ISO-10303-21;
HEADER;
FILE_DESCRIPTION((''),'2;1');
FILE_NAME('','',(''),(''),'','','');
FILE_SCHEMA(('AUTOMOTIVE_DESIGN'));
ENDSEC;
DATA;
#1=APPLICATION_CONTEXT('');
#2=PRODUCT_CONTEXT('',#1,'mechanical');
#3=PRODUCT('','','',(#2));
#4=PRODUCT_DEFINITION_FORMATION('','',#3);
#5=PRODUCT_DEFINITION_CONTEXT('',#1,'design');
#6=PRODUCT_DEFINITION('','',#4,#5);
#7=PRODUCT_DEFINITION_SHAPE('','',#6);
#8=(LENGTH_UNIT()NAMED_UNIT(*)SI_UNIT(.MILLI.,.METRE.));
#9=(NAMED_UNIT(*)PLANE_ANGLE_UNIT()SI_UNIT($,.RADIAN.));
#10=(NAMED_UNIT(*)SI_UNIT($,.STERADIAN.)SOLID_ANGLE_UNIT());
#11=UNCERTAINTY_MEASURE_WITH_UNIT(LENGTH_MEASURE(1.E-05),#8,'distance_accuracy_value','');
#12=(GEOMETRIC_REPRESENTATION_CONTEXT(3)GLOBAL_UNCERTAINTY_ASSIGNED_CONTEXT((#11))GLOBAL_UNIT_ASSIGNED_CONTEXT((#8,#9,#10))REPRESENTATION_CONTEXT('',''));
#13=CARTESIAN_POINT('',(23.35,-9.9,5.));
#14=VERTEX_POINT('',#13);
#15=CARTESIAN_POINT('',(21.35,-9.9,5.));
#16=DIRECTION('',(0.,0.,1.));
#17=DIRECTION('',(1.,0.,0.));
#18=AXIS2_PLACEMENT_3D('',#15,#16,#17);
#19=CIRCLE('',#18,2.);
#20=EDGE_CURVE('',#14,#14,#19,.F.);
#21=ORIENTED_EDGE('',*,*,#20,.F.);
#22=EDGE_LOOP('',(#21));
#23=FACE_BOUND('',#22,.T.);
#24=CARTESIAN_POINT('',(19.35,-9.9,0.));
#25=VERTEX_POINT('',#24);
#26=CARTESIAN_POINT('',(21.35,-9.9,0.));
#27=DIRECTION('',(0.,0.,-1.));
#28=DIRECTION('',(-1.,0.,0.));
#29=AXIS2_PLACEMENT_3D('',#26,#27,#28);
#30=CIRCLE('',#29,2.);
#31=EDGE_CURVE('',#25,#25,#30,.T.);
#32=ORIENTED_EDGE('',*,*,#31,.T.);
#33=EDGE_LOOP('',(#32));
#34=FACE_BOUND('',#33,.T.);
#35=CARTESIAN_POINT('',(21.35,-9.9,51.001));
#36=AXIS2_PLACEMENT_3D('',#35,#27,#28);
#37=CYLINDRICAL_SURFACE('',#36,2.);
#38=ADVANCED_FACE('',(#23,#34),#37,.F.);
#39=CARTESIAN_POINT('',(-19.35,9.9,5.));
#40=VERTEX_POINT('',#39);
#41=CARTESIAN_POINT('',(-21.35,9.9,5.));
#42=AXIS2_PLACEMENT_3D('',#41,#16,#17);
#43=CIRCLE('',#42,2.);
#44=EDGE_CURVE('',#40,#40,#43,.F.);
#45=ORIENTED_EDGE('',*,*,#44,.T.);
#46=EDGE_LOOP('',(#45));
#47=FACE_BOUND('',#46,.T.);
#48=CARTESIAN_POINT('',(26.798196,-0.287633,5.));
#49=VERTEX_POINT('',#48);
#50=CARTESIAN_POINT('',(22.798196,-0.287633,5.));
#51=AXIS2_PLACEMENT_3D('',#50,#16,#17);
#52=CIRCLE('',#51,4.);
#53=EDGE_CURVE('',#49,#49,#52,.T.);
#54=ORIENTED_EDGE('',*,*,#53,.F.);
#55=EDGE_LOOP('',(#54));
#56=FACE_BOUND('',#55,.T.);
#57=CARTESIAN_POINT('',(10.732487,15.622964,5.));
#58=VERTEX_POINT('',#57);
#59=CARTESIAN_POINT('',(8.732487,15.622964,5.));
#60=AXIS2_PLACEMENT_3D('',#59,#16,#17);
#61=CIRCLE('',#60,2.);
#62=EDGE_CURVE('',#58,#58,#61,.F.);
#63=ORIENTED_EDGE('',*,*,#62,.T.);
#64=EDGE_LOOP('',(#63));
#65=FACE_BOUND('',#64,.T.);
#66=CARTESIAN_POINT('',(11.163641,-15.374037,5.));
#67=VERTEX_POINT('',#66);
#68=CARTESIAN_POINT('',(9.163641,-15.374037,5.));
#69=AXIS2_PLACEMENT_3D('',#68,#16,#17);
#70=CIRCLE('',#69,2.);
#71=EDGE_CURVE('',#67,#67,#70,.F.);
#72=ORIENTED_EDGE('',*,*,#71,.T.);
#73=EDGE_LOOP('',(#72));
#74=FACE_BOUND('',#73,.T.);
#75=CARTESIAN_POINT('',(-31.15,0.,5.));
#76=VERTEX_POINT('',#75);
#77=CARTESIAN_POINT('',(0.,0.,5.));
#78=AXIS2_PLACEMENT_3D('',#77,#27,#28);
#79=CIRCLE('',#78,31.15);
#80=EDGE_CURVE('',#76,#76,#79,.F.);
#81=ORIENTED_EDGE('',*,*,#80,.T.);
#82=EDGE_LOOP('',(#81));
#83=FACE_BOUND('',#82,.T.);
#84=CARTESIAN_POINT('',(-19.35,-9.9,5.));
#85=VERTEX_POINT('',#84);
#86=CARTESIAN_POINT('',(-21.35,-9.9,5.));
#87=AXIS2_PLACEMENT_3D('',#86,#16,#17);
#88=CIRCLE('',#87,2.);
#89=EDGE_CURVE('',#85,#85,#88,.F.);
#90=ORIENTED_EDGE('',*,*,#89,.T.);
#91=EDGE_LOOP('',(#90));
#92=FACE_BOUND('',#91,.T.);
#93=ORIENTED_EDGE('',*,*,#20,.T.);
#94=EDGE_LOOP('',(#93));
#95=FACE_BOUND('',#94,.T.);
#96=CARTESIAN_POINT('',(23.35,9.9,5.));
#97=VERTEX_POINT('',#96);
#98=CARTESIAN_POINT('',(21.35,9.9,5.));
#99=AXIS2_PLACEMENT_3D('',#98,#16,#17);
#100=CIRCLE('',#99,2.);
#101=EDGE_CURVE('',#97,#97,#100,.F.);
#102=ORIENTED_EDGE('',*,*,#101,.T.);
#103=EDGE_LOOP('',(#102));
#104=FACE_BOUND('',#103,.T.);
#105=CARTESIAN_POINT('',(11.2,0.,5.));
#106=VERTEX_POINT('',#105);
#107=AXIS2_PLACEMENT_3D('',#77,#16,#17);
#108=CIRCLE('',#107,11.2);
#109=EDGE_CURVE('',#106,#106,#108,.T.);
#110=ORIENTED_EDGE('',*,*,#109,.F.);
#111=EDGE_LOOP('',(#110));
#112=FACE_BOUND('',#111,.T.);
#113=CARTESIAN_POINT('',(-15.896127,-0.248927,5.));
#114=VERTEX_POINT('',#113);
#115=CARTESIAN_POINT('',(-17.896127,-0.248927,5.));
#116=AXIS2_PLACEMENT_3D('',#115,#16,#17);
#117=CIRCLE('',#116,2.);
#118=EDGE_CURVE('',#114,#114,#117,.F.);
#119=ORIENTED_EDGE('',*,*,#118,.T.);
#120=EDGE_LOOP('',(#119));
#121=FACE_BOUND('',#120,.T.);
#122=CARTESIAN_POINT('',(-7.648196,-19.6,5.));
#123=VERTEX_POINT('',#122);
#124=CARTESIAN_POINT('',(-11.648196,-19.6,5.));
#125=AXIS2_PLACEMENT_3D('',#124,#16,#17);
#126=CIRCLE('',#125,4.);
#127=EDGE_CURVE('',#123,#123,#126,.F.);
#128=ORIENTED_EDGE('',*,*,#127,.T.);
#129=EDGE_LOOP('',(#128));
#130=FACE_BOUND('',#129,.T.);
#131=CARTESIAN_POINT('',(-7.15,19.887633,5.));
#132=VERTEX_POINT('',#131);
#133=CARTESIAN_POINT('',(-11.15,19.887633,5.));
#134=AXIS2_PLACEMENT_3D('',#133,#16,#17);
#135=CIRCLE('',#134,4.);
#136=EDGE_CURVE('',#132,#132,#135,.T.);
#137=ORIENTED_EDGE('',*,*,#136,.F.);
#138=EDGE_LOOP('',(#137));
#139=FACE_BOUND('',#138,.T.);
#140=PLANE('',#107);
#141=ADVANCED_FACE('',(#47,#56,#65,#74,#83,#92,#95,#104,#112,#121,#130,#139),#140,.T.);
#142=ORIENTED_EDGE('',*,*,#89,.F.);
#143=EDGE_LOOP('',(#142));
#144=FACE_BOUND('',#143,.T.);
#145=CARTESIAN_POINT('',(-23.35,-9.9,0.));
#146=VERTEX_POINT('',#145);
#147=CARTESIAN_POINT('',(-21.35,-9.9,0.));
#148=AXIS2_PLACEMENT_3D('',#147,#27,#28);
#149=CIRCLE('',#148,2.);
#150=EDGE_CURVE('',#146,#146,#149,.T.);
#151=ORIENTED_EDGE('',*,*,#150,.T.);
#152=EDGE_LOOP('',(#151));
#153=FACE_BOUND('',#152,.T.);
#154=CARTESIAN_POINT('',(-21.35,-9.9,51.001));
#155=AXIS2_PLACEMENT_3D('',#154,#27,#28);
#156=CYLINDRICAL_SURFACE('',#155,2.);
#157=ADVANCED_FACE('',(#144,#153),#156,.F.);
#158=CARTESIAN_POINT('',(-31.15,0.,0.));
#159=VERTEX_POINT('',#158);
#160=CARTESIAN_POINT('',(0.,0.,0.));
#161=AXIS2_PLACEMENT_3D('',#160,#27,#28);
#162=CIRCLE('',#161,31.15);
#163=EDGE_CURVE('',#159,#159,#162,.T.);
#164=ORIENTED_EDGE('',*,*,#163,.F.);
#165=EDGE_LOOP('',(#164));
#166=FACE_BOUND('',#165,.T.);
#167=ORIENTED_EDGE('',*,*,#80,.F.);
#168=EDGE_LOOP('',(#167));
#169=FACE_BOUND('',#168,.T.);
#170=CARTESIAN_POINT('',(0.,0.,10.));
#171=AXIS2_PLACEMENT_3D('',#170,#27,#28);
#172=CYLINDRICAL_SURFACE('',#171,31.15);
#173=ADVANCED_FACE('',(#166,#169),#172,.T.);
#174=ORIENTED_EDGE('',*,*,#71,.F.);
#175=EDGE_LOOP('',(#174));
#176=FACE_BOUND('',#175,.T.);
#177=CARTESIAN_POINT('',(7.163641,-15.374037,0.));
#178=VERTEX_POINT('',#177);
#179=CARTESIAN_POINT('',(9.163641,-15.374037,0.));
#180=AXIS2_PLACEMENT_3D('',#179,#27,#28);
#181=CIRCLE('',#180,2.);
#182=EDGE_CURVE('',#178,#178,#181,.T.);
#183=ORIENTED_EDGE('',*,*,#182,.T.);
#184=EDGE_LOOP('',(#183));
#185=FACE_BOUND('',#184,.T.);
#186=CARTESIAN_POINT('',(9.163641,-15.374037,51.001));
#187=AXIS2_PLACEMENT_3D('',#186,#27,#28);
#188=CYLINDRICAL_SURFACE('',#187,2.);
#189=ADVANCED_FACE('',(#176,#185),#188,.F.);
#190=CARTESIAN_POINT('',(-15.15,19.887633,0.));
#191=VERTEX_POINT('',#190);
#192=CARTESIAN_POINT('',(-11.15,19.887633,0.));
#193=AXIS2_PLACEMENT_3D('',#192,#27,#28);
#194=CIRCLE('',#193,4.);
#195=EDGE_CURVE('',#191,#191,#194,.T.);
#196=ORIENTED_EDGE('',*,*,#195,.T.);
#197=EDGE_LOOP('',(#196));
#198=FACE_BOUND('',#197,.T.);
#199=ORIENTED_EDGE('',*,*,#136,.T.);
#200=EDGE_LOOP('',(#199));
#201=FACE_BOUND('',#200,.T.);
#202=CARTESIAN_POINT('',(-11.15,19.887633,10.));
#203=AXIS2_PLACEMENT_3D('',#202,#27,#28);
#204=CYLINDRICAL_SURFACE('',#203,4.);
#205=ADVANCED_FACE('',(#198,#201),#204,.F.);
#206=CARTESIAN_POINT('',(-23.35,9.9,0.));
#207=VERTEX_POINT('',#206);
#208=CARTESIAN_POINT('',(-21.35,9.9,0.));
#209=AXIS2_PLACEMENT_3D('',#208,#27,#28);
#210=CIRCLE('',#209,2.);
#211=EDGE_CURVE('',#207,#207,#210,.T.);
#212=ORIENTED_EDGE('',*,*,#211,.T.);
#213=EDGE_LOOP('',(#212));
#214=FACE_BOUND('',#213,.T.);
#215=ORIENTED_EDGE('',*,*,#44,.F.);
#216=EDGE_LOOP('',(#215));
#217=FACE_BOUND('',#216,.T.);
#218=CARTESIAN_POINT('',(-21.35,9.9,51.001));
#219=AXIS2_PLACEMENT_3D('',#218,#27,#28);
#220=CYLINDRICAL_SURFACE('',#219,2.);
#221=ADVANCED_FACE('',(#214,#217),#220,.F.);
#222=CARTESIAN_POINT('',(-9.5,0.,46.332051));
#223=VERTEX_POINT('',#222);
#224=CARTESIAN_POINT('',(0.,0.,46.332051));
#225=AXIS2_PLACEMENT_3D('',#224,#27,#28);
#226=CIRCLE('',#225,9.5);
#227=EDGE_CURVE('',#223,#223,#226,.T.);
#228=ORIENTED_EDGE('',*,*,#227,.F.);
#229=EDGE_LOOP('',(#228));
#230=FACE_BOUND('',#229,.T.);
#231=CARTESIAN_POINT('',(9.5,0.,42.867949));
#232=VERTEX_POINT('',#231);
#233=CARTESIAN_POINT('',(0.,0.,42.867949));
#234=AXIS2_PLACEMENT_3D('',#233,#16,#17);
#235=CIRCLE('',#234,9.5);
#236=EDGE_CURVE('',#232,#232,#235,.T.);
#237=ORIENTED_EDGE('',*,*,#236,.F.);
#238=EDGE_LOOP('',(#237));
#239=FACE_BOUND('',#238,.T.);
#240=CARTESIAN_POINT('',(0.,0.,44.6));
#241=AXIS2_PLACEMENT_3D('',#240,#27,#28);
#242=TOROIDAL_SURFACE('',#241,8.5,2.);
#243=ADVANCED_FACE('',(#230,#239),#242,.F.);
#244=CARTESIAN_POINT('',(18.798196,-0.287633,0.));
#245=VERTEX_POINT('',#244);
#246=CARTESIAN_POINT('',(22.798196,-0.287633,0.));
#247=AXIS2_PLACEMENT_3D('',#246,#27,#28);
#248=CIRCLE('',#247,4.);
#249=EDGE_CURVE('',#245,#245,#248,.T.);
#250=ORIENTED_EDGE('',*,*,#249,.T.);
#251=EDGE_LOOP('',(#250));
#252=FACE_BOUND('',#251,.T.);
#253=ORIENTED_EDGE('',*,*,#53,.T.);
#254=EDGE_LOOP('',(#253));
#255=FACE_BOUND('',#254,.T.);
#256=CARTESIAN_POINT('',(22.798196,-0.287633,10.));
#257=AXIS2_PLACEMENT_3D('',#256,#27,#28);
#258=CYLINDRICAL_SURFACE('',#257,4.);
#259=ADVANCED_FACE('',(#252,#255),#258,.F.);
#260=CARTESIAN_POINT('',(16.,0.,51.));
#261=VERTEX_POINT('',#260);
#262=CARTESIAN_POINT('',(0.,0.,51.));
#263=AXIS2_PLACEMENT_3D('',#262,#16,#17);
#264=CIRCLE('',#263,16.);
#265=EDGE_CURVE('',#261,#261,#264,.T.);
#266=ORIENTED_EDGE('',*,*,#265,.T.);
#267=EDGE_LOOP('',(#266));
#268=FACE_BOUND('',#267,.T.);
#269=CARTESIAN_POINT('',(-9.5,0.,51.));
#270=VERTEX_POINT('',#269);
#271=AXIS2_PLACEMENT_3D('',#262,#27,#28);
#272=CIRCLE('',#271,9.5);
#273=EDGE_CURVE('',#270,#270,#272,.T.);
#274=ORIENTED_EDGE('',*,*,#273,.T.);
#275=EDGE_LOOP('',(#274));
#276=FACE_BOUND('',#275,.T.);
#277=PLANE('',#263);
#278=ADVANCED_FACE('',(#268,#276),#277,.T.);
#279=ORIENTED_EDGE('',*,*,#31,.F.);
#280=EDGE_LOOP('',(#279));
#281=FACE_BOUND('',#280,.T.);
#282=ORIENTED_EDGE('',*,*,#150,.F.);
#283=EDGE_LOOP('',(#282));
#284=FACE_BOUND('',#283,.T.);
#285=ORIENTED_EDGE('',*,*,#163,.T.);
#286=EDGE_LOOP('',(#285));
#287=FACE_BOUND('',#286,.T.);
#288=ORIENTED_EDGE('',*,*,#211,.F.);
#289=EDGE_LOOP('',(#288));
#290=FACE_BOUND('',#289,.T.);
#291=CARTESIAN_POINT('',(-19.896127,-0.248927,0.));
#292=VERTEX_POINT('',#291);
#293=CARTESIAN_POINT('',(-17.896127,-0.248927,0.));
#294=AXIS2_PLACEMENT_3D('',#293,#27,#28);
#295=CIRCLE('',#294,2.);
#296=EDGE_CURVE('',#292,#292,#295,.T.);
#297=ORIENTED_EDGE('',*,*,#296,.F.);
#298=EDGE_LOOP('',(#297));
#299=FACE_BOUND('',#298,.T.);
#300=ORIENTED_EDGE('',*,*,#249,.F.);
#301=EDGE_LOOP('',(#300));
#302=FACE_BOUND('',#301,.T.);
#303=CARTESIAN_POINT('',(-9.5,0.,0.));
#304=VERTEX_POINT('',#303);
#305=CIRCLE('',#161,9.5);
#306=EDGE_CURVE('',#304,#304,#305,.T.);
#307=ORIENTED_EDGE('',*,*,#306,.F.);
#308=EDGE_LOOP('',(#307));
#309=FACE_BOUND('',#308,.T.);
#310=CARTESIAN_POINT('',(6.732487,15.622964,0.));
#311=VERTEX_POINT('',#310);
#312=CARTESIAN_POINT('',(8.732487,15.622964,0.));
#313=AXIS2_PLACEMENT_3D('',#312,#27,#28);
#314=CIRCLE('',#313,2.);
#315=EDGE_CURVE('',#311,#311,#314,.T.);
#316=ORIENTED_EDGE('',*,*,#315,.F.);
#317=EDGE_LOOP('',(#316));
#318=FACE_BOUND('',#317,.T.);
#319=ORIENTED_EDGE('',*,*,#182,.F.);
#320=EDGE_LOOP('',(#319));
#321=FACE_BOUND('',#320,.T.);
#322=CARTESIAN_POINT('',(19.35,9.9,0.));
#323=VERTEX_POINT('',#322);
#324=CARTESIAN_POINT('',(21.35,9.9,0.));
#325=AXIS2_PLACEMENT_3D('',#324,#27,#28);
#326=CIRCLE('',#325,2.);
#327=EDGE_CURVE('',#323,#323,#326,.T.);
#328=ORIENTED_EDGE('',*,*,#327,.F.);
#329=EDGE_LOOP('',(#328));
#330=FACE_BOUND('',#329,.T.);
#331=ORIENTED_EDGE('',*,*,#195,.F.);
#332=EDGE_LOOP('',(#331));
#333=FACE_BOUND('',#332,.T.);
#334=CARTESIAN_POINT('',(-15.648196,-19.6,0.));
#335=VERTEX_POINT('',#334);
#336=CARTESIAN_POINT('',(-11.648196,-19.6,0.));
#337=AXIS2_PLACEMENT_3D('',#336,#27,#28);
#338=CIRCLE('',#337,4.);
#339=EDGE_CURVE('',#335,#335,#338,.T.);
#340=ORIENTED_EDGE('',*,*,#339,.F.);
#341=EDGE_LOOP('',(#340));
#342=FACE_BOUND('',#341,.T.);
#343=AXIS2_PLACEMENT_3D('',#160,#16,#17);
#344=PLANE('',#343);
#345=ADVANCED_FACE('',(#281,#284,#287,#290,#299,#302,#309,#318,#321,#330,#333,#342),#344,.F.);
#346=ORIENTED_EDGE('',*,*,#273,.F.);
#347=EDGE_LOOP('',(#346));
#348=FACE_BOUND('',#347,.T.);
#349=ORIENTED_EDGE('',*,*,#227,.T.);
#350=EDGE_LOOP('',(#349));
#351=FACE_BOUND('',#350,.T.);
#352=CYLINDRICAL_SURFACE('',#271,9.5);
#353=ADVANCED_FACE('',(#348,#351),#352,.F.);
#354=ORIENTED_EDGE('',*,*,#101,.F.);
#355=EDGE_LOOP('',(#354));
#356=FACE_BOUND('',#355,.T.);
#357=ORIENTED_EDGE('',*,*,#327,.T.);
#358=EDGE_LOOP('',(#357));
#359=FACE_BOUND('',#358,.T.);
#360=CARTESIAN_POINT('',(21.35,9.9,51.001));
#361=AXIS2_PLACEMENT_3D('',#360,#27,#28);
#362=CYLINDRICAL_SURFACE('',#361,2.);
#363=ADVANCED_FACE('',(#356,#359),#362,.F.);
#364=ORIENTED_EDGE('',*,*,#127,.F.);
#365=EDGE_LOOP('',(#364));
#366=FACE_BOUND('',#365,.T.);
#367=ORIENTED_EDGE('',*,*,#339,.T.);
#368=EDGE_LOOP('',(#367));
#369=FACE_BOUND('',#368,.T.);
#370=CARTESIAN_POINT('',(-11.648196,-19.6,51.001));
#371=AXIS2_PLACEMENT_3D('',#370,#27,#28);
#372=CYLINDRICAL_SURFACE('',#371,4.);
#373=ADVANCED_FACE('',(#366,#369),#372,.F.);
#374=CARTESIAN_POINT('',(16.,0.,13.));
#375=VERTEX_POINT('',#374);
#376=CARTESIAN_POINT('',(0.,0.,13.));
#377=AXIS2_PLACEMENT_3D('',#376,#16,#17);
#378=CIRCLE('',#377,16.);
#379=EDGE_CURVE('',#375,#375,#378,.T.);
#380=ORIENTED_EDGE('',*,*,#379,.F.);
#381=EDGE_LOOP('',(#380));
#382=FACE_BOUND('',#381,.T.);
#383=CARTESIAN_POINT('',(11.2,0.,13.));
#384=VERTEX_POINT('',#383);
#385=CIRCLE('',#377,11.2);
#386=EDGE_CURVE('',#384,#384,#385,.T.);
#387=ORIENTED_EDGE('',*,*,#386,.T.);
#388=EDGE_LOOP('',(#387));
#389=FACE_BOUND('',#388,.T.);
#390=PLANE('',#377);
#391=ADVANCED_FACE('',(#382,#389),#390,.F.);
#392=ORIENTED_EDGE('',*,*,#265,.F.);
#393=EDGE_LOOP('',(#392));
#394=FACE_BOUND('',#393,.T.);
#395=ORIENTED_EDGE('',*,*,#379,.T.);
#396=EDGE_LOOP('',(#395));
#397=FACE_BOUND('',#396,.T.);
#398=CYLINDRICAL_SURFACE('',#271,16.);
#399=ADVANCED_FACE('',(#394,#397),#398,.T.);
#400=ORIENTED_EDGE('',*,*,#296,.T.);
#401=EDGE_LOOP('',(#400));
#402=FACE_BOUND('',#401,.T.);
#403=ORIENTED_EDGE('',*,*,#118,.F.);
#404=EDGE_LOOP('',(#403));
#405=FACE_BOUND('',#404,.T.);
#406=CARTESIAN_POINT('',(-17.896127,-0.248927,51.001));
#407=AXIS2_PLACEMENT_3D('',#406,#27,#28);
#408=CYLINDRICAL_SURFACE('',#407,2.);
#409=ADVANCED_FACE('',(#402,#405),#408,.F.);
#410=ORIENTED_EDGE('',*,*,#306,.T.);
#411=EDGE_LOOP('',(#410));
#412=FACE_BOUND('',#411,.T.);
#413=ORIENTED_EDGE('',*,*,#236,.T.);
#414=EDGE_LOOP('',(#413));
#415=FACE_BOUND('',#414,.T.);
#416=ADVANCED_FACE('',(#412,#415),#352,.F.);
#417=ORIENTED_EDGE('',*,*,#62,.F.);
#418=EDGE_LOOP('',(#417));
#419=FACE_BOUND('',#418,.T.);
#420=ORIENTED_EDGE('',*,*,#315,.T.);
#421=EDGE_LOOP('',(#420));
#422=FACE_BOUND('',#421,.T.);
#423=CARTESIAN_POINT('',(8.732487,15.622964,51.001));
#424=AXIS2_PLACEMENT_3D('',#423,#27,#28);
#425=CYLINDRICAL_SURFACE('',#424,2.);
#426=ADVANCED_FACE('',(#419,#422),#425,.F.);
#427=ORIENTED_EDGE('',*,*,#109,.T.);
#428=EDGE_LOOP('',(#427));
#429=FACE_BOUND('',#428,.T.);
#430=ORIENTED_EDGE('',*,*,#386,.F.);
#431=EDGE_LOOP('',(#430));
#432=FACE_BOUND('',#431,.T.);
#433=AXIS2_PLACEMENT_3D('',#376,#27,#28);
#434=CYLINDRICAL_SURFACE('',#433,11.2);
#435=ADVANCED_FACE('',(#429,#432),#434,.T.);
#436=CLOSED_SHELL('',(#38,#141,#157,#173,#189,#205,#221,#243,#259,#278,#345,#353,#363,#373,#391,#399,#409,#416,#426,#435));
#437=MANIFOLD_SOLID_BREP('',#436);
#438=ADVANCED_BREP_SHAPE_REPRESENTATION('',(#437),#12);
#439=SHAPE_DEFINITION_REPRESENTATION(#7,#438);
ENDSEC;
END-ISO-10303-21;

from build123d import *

# Parameters (mm, degrees)
SKETCH1_R           = 31.65
BOSS_EXTRUDE1_DEPTH = 5
CHAMFER1_SIZE       = 0.5
SKETCH2_R           = 11.2
BOSS_EXTRUDE2_DEPTH = 8
SKETCH3_R           = 16
BOSS_EXTRUDE3_DEPTH = 38
SKETCH5_R           = 9.5
CUT_EXTRUDE2_DEPTH  = 52
CUT_EXTRUDE3_REACH  = 53
SKETCH6_R           = 2
SKETCH6_R_2         = 4
SKETCH8_OUTSIDE_W   = 85.906
SKETCH8_OUTSIDE_H   = 85.906
SKETCH8_OUTSIDE_R   = 31.15
SKETCH8_OUTSIDE_R_2 = 4
CUT_EXTRUDE4_DEPTH  = 10


with BuildPart() as part:
    # Sketch1 → Boss-Extrude1 (new body)
    with BuildSketch(Plane.XY):
        Circle(SKETCH1_R)
    extrude(amount=BOSS_EXTRUDE1_DEPTH)

    # Chamfer1
    chamfer1_edges = [part.edges().sort_by_distance(p)[0] for p in [
        (-31.65, 0, 0),
        (-31.65, 0, 5),
    ]]
    chamfer(chamfer1_edges, length=CHAMFER1_SIZE)

    # Sketch2 → Boss-Extrude2 (add)
    with BuildSketch(Plane.XY.offset(5)):
        Circle(SKETCH2_R)
    extrude(amount=BOSS_EXTRUDE2_DEPTH)

    # Sketch3 → Boss-Extrude3 (add)
    with BuildSketch(Plane.XY.offset(13)):
        Circle(SKETCH3_R)
    extrude(amount=BOSS_EXTRUDE3_DEPTH)

    # Sketch5 → Cut-Extrude2 (cut, through all)
    with BuildSketch(Plane(origin=(0, 0, 0), x_dir=(-1, 0, 0), z_dir=(0, 0, -1))):
        Circle(SKETCH5_R)
    extrude(amount=-CUT_EXTRUDE2_DEPTH, mode=Mode.SUBTRACT)

    # Sketch6 → Cut-Extrude3 (cut, up to next)
    with BuildSketch(Plane(origin=(0, 0, 0), x_dir=(-1, 0, 0), z_dir=(0, 0, -1)), mode=Mode.PRIVATE) as cut_extrude3_sk1:
        with Locations((21.35, 9.9)):
            Circle(SKETCH6_R)
    cut_extrude3_tool1 = extrude(cut_extrude3_sk1.sketch, amount=-CUT_EXTRUDE3_REACH, mode=Mode.PRIVATE) & part.part
    add(cut_extrude3_tool1.solids().sort_by_distance((-21.35, 9.9, 0))[0], mode=Mode.SUBTRACT)
    # Sketch6 → Cut-Extrude3 (cut, up to next)
    with BuildSketch(Plane(origin=(0, 0, 0), x_dir=(-1, 0, 0), z_dir=(0, 0, -1)), mode=Mode.PRIVATE) as cut_extrude3_sk2:
        with Locations((-21.35, 9.9)):
            Circle(SKETCH6_R)
    cut_extrude3_tool2 = extrude(cut_extrude3_sk2.sketch, amount=-CUT_EXTRUDE3_REACH, mode=Mode.PRIVATE) & part.part
    add(cut_extrude3_tool2.solids().sort_by_distance((21.35, 9.9, 0))[0], mode=Mode.SUBTRACT)
    # Sketch6 → Cut-Extrude3 (cut, up to next)
    with BuildSketch(Plane(origin=(0, 0, 0), x_dir=(-1, 0, 0), z_dir=(0, 0, -1)), mode=Mode.PRIVATE) as cut_extrude3_sk3:
        with Locations((-21.35, -9.9)):
            Circle(SKETCH6_R)
    cut_extrude3_tool3 = extrude(cut_extrude3_sk3.sketch, amount=-CUT_EXTRUDE3_REACH, mode=Mode.PRIVATE) & part.part
    add(cut_extrude3_tool3.solids().sort_by_distance((21.35, -9.9, 0))[0], mode=Mode.SUBTRACT)
    # Sketch6 → Cut-Extrude3 (cut, up to next)
    with BuildSketch(Plane(origin=(0, 0, 0), x_dir=(-1, 0, 0), z_dir=(0, 0, -1)), mode=Mode.PRIVATE) as cut_extrude3_sk4:
        with Locations((21.35, -9.9)):
            Circle(SKETCH6_R)
    cut_extrude3_tool4 = extrude(cut_extrude3_sk4.sketch, amount=-CUT_EXTRUDE3_REACH, mode=Mode.PRIVATE) & part.part
    add(cut_extrude3_tool4.solids().sort_by_distance((-21.35, -9.9, 0))[0], mode=Mode.SUBTRACT)
    # Sketch6 → Cut-Extrude3 (cut, up to next)
    with BuildSketch(Plane(origin=(0, 0, 0), x_dir=(-1, 0, 0), z_dir=(0, 0, -1)), mode=Mode.PRIVATE) as cut_extrude3_sk5:
        with Locations((11.648195828, -19.6)):
            Circle(SKETCH6_R_2)
    cut_extrude3_tool5 = extrude(cut_extrude3_sk5.sketch, amount=-CUT_EXTRUDE3_REACH, mode=Mode.PRIVATE) & part.part
    add(cut_extrude3_tool5.solids().sort_by_distance((-11.648196, -19.6, 0))[0], mode=Mode.SUBTRACT)
    # Sketch6 → Cut-Extrude3 (cut, up to next)
    with BuildSketch(Plane(origin=(0, 0, 0), x_dir=(-1, 0, 0), z_dir=(0, 0, -1)), mode=Mode.PRIVATE) as cut_extrude3_sk6:
        with Locations((-8.732486564, 15.622964243)):
            Circle(SKETCH6_R)
    cut_extrude3_tool6 = extrude(cut_extrude3_sk6.sketch, amount=-CUT_EXTRUDE3_REACH, mode=Mode.PRIVATE) & part.part
    add(cut_extrude3_tool6.solids().sort_by_distance((8.732487, 15.622964, 0))[0], mode=Mode.SUBTRACT)
    # Sketch6 → Cut-Extrude3 (cut, up to next)
    with BuildSketch(Plane(origin=(0, 0, 0), x_dir=(-1, 0, 0), z_dir=(0, 0, -1)), mode=Mode.PRIVATE) as cut_extrude3_sk7:
        with Locations((-9.163640635, -15.374037324)):
            Circle(SKETCH6_R)
    cut_extrude3_tool7 = extrude(cut_extrude3_sk7.sketch, amount=-CUT_EXTRUDE3_REACH, mode=Mode.PRIVATE) & part.part
    add(cut_extrude3_tool7.solids().sort_by_distance((9.163641, -15.374037, 0))[0], mode=Mode.SUBTRACT)
    # Sketch6 → Cut-Extrude3 (cut, up to next)
    with BuildSketch(Plane(origin=(0, 0, 0), x_dir=(-1, 0, 0), z_dir=(0, 0, -1)), mode=Mode.PRIVATE) as cut_extrude3_sk8:
        with Locations((17.896127199, -0.248926919)):
            Circle(SKETCH6_R)
    cut_extrude3_tool8 = extrude(cut_extrude3_sk8.sketch, amount=-CUT_EXTRUDE3_REACH, mode=Mode.PRIVATE) & part.part
    add(cut_extrude3_tool8.solids().sort_by_distance((-17.896127, -0.248927, 0))[0], mode=Mode.SUBTRACT)

    # Sketch7 → Cut-Revolve3 (revolve, cut)
    with BuildSketch(Plane(origin=(0, 0, 0), x_dir=(1, 0, 0), z_dir=(0, 1, 0))):
        with BuildLine():
            Line((-8.5, -42.6), (-8.5, -46.6))
            ThreePointArc((-8.5, -46.6), (-10.5, -44.6), (-8.5, -42.6))
        make_face()
    revolve(axis=Axis((0, 0, 44.6), (0, 0, 1)), mode=Mode.SUBTRACT)

    # Sketch8 outside → Cut-Extrude4 (cut)
    with BuildSketch(Plane(origin=(0, 0, 0), x_dir=(-1, 0, 0), z_dir=(0, 0, -1))):
        Rectangle(SKETCH8_OUTSIDE_W, SKETCH8_OUTSIDE_H)
        Circle(SKETCH8_OUTSIDE_R, mode=Mode.SUBTRACT)
        with Locations((-22.798195828, -0.287633496)):
            Circle(SKETCH8_OUTSIDE_R_2)
        with Locations((11.15, 19.887633496)):
            Circle(SKETCH8_OUTSIDE_R_2)
    extrude(amount=-CUT_EXTRUDE4_DEPTH, mode=Mode.SUBTRACT)


solid = part.part
